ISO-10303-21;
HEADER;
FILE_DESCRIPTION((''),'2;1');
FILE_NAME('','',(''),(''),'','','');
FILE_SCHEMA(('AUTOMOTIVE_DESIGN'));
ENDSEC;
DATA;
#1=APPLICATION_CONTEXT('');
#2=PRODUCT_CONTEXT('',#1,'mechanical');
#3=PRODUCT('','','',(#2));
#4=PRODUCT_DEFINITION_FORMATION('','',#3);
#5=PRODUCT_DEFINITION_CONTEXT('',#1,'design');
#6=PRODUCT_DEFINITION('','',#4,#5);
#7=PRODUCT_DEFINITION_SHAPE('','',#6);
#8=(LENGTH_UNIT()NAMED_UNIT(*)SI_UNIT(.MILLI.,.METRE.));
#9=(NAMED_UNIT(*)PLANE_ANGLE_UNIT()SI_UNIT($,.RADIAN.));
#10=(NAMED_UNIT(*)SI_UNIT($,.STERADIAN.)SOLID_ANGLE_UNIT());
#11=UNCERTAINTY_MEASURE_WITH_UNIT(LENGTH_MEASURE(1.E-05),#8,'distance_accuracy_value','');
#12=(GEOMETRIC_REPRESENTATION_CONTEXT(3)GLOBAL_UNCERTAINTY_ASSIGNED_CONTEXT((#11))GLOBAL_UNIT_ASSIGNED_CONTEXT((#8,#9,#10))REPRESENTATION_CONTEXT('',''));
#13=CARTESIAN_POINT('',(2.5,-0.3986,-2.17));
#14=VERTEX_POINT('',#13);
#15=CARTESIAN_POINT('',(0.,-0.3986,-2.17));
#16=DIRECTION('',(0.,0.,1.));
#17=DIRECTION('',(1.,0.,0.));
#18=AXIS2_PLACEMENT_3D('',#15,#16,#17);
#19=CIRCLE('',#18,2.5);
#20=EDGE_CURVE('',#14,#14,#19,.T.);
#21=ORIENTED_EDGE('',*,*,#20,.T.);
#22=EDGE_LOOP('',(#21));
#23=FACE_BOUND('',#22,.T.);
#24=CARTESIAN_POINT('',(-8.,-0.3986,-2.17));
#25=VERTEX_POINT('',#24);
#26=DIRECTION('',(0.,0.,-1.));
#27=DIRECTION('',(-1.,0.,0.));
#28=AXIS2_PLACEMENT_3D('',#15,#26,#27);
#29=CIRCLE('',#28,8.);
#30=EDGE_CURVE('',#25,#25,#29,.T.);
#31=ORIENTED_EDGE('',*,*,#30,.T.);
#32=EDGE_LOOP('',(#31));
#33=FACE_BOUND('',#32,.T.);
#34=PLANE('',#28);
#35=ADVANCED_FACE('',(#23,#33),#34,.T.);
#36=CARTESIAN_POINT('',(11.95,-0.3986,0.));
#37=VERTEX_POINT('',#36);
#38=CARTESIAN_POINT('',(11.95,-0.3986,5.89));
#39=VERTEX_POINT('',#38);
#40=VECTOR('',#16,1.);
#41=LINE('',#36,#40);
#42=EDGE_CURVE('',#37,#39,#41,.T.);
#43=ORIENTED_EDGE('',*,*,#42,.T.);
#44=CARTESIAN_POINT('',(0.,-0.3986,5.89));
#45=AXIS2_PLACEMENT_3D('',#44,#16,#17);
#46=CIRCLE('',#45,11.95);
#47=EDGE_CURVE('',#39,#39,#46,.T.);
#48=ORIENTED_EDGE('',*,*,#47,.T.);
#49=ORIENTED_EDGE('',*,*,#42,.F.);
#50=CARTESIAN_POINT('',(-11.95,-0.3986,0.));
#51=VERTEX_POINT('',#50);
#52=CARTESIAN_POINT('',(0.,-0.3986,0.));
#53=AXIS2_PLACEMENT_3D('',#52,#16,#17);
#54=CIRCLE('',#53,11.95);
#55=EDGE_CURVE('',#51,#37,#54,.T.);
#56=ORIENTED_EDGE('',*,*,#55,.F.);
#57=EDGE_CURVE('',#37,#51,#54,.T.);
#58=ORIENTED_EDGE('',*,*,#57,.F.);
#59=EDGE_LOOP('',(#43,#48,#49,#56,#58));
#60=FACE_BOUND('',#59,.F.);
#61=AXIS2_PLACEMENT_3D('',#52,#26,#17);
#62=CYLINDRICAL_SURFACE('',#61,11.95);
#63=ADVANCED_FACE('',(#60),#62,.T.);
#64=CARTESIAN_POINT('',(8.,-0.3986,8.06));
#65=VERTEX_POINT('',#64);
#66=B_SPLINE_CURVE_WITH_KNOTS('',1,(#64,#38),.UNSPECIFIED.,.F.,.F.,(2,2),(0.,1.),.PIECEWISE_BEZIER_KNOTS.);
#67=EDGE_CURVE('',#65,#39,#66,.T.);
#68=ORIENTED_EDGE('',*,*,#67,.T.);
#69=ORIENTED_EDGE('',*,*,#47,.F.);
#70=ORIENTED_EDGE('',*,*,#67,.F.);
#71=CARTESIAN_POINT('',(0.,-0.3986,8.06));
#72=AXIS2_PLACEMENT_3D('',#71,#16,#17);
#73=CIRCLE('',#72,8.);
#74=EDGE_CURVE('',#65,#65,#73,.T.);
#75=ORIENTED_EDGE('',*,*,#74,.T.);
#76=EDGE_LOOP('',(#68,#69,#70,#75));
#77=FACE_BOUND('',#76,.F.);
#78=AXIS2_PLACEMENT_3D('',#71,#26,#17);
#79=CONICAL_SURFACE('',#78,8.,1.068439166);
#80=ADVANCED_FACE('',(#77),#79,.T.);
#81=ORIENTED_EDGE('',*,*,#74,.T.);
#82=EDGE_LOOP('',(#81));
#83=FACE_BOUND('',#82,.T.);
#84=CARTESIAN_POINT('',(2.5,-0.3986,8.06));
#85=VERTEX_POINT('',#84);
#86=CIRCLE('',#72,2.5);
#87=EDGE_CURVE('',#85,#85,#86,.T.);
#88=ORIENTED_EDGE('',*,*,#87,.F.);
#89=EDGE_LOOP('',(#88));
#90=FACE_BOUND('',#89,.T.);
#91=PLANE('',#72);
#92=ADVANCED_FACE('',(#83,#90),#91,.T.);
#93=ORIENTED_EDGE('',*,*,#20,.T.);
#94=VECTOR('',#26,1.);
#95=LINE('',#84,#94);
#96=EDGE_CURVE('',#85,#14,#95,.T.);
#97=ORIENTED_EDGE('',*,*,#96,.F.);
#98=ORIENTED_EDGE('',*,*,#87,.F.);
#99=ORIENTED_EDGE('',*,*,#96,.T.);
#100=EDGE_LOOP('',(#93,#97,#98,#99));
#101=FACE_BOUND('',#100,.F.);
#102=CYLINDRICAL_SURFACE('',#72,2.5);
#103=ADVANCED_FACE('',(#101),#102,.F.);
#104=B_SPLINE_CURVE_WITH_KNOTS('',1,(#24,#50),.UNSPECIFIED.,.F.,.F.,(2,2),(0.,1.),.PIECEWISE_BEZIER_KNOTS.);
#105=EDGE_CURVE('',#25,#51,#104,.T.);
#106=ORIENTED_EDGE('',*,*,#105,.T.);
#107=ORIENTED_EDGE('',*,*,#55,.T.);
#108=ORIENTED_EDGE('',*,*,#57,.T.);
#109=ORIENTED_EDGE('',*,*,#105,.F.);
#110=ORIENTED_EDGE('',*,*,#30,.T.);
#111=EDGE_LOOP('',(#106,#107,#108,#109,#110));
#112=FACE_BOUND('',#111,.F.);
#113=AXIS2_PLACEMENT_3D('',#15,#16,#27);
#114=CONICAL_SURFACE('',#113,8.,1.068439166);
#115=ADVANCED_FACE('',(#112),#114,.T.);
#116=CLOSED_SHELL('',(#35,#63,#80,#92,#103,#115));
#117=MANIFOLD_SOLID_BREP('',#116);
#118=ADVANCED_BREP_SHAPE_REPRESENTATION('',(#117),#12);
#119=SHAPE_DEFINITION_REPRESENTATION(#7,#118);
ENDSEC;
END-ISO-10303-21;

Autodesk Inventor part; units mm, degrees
ref_plane "YZ Plane" through (0, 0, 0) normal (1, 0, 0) x (0, 1, 0)
sketch "Sketch1" plane through (0, 0, 0) normal (0, 0, 1) x (1, 0, 0)
  circle A0 centre (0, -0.3986) radius 11.95
  point P0 (0, 0)
  dimension "d0" = 23.9
extrude "Extrusion1" add sketch "Sketch1" along normal blind 5.89
ref_plane "Work Plane1" through (0, -0.3986, 8.06) normal (0, 0, 1) x (1, 0, 0)
sketch "Sketch2" plane through (0, -0.3986, 8.06) normal (0, 0, 1) x (1, 0, 0)
  circle A0 centre (0, 0) radius 8
  point P0 (0, 0.3986)
  dimension "d4" = 16
sketch "Sketch5" plane through (0, -0.3986, 5.89) normal (0, 0, 1) x (1, 0, 0)
  circle A0 centre (0, 0) radius 11.95
  point P0 (0, 0.3986)
  dimension "d5" = 23.9
loft "Loft1" add profiles "Sketch2", "Sketch5"
ref_plane "Work Plane2" through (0, -0.3986, -2.17) normal (0, 0, -1) x (-1, 0, 0)
sketch "Sketch6" plane through (0, -0.3986, -2.17) normal (0, 0, -1) x (-1, 0, 0)
  circle A0 centre (0, 0) radius 8
  point P0 (0, 0.3986)
  dimension "d11" = 16
sketch "Sketch7" plane through (0, -0.3986, 0) normal (0, 0, -1) x (-1, 0, 0)
  circle A0 centre (0, 0) radius 11.95
  point P0 (0, 0.3986)
  dimension "d12" = 23.9
loft "Loft2" add profiles "Sketch6", "Sketch7"
sketch "Sketch8" plane through (0, -0.3986, 8.06) normal (0, 0, 1) x (1, 0, 0)
  circle A0 centre (0, 0) radius 2.5
  point P0 (0, 0.3986)
  dimension "d17" = 5
extrude "Extrusion2" cut sketch "Sketch8" against normal blind 15
properties part number "RUEDA"
